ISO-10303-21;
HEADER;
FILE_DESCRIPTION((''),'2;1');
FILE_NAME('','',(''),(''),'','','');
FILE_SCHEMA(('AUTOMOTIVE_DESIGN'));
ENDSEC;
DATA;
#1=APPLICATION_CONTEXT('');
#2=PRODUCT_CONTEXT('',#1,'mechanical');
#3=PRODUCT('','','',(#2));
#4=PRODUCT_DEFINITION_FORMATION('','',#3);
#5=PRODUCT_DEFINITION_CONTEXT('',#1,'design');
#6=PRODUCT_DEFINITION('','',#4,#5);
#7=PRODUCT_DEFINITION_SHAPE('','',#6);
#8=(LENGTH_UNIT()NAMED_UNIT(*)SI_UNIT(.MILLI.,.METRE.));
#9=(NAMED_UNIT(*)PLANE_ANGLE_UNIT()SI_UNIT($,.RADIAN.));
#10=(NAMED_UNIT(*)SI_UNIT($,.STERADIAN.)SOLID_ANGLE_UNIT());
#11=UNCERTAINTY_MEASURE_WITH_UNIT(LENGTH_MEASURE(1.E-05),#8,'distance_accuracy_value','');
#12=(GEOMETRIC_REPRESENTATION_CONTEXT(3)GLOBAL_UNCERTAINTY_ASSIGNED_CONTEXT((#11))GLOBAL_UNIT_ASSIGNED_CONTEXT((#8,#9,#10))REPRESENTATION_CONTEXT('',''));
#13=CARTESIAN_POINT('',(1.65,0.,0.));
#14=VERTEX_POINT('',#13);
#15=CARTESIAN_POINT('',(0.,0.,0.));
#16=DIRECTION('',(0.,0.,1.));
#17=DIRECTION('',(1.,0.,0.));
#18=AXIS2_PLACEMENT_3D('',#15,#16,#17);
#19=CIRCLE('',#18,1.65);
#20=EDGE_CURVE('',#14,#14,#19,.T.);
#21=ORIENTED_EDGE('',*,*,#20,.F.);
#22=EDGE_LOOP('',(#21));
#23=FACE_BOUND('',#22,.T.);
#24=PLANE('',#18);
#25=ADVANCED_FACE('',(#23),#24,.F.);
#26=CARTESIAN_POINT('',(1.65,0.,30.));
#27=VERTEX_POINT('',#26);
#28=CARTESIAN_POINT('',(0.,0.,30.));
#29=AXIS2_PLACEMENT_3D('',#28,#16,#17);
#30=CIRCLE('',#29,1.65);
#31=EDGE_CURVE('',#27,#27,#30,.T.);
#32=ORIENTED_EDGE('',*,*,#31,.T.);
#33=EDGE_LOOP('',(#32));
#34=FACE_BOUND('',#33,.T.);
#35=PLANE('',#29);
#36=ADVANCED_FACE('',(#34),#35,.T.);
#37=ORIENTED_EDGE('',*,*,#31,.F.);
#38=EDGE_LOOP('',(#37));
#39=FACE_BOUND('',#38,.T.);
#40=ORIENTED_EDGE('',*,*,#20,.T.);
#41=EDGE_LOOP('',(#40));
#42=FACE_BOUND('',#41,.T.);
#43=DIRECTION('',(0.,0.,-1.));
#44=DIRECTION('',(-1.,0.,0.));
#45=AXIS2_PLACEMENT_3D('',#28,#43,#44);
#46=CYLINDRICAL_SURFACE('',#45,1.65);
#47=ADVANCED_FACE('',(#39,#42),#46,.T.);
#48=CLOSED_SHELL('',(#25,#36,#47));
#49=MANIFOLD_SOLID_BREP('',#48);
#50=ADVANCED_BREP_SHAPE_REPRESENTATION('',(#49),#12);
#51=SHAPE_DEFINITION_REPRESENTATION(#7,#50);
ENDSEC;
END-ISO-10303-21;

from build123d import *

# Parameters (mm, degrees)
SKICA1_R                = 1.65
P_IDAT_VYSUNUT_M1_DEPTH = 30


with BuildPart() as part:
    # Skica1 → Přidat vysunutím1 (new body)
    with BuildSketch(Plane.XY):
        Circle(SKICA1_R)
    extrude(amount=P_IDAT_VYSUNUT_M1_DEPTH)


solid = part.part
